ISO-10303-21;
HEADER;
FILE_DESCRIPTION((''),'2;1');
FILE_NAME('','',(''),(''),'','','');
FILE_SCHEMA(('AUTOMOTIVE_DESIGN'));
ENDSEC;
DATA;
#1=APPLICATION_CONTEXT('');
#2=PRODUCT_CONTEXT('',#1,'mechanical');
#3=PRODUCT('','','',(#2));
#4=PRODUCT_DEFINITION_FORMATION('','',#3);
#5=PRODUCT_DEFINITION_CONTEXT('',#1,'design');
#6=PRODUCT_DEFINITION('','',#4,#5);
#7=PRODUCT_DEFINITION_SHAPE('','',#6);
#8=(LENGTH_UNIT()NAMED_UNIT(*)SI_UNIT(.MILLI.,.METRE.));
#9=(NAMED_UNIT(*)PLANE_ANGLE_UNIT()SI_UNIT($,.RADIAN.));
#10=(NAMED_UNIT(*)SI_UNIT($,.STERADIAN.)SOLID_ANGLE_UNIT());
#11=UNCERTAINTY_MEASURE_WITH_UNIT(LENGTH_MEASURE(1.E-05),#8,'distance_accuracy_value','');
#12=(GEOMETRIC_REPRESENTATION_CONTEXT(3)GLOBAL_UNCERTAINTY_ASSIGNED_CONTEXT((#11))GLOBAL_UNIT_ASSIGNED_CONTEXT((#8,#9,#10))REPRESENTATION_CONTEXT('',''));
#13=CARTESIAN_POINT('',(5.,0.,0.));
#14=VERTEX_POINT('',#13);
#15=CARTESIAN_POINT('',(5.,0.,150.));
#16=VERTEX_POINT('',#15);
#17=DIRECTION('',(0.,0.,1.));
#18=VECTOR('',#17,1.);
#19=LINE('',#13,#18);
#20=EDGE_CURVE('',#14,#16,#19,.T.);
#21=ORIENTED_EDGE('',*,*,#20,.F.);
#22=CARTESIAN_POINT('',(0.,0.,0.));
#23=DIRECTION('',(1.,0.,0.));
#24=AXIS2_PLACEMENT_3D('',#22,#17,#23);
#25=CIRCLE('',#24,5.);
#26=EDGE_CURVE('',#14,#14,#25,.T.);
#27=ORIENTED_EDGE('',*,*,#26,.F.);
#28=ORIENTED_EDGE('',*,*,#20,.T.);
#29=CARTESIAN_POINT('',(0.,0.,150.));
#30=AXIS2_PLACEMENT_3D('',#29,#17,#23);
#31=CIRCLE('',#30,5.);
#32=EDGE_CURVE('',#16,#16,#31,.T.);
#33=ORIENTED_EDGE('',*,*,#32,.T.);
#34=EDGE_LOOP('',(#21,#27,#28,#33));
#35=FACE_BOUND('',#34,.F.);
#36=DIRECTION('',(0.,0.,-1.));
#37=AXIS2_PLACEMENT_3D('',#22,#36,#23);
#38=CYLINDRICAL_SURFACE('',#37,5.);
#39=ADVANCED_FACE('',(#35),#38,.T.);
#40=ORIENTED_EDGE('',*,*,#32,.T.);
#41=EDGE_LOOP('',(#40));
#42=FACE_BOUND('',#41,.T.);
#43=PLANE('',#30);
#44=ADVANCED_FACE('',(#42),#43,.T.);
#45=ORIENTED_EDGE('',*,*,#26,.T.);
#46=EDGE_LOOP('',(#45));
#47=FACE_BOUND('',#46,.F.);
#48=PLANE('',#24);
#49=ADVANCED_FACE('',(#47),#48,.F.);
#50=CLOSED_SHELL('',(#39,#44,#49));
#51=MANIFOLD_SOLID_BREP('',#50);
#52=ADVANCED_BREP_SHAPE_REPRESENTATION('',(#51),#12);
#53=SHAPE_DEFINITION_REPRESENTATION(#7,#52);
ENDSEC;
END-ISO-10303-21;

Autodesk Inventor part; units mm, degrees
ref_plane "YZ Plane" through (0, 0, 0) normal (1, 0, 0) x (0, 1, 0)
ref_plane "XZ Plane" through (0, 0, 0) normal (0, 1, 0) x (-1, 0, 0)
ref_plane "XY Plane" through (0, 0, 0) normal (0, 0, 1) x (1, 0, 0)
sketch "草图1" plane through (0, 0, 0) normal (0, 0, 1) x (1, 0, 0)
  circle A0 centre (0, 0) radius 5
  dimension "轴径" = 10
extrude "拉伸1" add sketch "草图1" along normal blind 150
properties part number "轴" material "木材(桦木)"
